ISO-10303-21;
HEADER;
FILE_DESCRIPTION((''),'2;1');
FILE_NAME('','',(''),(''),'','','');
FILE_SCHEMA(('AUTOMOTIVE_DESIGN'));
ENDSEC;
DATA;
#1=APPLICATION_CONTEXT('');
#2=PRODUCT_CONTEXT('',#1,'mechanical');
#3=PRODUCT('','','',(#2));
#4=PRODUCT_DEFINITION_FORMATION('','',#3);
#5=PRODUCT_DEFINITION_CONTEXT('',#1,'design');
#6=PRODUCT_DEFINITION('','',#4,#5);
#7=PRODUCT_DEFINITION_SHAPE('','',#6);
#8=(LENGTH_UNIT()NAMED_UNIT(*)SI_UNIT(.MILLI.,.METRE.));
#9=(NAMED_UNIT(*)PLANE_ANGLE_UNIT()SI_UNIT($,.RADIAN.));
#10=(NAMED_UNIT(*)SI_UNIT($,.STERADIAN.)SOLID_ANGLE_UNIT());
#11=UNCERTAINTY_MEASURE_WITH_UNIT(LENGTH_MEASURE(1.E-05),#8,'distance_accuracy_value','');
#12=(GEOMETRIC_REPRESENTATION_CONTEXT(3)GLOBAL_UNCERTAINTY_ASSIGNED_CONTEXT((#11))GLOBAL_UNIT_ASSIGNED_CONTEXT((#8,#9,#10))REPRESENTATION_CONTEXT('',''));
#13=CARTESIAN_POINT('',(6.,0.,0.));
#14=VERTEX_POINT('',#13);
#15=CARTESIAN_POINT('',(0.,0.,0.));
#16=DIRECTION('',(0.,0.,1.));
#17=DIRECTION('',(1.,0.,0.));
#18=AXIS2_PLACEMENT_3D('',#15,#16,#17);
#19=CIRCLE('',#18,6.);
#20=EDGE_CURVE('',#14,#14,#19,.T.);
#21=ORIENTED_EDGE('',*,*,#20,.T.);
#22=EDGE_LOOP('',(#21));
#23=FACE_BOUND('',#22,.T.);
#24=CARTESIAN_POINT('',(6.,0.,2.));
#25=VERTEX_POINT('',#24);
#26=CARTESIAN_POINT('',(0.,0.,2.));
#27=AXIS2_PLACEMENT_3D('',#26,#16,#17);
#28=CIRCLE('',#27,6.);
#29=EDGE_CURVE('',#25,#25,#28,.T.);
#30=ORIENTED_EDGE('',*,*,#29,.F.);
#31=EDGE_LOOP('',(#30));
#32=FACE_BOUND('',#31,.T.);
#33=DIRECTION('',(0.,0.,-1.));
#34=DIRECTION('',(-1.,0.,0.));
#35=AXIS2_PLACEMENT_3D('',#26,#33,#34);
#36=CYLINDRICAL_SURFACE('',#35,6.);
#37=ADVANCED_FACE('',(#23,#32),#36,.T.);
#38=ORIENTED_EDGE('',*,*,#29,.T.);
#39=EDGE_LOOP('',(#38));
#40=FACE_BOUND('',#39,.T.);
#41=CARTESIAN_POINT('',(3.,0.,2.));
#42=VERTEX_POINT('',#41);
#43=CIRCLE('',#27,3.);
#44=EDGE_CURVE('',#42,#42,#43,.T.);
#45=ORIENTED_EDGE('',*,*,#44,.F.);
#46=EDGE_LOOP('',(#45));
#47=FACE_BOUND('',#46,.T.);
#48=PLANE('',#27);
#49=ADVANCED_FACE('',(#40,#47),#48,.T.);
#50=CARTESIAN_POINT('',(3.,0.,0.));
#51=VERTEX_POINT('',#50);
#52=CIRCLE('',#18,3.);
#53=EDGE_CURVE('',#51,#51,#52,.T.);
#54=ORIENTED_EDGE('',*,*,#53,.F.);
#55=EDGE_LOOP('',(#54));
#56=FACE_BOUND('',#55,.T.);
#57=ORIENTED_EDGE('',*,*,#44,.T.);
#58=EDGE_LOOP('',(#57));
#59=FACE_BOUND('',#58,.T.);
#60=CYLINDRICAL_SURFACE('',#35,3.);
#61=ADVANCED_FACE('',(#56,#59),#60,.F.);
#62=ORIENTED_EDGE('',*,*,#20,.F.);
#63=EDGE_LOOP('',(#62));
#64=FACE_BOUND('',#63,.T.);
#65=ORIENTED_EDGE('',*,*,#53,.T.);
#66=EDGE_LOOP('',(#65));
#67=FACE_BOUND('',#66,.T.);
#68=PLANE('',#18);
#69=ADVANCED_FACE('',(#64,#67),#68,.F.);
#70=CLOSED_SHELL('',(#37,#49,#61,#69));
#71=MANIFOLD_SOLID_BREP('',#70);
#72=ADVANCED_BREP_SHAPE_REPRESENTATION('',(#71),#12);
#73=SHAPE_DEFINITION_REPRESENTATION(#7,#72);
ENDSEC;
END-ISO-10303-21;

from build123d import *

# Parameters (mm, degrees)
ESQUISSE1_R        = 6
ESQUISSE1_R_2      = 3
BOSS_EXTRU_1_DEPTH = 2


with BuildPart() as part:
    # Esquisse1 → Boss.-Extru.1 (new body)
    with BuildSketch(Plane.XY):
        Circle(ESQUISSE1_R)
        Circle(ESQUISSE1_R_2, mode=Mode.SUBTRACT)
    extrude(amount=BOSS_EXTRU_1_DEPTH)


solid = part.part
